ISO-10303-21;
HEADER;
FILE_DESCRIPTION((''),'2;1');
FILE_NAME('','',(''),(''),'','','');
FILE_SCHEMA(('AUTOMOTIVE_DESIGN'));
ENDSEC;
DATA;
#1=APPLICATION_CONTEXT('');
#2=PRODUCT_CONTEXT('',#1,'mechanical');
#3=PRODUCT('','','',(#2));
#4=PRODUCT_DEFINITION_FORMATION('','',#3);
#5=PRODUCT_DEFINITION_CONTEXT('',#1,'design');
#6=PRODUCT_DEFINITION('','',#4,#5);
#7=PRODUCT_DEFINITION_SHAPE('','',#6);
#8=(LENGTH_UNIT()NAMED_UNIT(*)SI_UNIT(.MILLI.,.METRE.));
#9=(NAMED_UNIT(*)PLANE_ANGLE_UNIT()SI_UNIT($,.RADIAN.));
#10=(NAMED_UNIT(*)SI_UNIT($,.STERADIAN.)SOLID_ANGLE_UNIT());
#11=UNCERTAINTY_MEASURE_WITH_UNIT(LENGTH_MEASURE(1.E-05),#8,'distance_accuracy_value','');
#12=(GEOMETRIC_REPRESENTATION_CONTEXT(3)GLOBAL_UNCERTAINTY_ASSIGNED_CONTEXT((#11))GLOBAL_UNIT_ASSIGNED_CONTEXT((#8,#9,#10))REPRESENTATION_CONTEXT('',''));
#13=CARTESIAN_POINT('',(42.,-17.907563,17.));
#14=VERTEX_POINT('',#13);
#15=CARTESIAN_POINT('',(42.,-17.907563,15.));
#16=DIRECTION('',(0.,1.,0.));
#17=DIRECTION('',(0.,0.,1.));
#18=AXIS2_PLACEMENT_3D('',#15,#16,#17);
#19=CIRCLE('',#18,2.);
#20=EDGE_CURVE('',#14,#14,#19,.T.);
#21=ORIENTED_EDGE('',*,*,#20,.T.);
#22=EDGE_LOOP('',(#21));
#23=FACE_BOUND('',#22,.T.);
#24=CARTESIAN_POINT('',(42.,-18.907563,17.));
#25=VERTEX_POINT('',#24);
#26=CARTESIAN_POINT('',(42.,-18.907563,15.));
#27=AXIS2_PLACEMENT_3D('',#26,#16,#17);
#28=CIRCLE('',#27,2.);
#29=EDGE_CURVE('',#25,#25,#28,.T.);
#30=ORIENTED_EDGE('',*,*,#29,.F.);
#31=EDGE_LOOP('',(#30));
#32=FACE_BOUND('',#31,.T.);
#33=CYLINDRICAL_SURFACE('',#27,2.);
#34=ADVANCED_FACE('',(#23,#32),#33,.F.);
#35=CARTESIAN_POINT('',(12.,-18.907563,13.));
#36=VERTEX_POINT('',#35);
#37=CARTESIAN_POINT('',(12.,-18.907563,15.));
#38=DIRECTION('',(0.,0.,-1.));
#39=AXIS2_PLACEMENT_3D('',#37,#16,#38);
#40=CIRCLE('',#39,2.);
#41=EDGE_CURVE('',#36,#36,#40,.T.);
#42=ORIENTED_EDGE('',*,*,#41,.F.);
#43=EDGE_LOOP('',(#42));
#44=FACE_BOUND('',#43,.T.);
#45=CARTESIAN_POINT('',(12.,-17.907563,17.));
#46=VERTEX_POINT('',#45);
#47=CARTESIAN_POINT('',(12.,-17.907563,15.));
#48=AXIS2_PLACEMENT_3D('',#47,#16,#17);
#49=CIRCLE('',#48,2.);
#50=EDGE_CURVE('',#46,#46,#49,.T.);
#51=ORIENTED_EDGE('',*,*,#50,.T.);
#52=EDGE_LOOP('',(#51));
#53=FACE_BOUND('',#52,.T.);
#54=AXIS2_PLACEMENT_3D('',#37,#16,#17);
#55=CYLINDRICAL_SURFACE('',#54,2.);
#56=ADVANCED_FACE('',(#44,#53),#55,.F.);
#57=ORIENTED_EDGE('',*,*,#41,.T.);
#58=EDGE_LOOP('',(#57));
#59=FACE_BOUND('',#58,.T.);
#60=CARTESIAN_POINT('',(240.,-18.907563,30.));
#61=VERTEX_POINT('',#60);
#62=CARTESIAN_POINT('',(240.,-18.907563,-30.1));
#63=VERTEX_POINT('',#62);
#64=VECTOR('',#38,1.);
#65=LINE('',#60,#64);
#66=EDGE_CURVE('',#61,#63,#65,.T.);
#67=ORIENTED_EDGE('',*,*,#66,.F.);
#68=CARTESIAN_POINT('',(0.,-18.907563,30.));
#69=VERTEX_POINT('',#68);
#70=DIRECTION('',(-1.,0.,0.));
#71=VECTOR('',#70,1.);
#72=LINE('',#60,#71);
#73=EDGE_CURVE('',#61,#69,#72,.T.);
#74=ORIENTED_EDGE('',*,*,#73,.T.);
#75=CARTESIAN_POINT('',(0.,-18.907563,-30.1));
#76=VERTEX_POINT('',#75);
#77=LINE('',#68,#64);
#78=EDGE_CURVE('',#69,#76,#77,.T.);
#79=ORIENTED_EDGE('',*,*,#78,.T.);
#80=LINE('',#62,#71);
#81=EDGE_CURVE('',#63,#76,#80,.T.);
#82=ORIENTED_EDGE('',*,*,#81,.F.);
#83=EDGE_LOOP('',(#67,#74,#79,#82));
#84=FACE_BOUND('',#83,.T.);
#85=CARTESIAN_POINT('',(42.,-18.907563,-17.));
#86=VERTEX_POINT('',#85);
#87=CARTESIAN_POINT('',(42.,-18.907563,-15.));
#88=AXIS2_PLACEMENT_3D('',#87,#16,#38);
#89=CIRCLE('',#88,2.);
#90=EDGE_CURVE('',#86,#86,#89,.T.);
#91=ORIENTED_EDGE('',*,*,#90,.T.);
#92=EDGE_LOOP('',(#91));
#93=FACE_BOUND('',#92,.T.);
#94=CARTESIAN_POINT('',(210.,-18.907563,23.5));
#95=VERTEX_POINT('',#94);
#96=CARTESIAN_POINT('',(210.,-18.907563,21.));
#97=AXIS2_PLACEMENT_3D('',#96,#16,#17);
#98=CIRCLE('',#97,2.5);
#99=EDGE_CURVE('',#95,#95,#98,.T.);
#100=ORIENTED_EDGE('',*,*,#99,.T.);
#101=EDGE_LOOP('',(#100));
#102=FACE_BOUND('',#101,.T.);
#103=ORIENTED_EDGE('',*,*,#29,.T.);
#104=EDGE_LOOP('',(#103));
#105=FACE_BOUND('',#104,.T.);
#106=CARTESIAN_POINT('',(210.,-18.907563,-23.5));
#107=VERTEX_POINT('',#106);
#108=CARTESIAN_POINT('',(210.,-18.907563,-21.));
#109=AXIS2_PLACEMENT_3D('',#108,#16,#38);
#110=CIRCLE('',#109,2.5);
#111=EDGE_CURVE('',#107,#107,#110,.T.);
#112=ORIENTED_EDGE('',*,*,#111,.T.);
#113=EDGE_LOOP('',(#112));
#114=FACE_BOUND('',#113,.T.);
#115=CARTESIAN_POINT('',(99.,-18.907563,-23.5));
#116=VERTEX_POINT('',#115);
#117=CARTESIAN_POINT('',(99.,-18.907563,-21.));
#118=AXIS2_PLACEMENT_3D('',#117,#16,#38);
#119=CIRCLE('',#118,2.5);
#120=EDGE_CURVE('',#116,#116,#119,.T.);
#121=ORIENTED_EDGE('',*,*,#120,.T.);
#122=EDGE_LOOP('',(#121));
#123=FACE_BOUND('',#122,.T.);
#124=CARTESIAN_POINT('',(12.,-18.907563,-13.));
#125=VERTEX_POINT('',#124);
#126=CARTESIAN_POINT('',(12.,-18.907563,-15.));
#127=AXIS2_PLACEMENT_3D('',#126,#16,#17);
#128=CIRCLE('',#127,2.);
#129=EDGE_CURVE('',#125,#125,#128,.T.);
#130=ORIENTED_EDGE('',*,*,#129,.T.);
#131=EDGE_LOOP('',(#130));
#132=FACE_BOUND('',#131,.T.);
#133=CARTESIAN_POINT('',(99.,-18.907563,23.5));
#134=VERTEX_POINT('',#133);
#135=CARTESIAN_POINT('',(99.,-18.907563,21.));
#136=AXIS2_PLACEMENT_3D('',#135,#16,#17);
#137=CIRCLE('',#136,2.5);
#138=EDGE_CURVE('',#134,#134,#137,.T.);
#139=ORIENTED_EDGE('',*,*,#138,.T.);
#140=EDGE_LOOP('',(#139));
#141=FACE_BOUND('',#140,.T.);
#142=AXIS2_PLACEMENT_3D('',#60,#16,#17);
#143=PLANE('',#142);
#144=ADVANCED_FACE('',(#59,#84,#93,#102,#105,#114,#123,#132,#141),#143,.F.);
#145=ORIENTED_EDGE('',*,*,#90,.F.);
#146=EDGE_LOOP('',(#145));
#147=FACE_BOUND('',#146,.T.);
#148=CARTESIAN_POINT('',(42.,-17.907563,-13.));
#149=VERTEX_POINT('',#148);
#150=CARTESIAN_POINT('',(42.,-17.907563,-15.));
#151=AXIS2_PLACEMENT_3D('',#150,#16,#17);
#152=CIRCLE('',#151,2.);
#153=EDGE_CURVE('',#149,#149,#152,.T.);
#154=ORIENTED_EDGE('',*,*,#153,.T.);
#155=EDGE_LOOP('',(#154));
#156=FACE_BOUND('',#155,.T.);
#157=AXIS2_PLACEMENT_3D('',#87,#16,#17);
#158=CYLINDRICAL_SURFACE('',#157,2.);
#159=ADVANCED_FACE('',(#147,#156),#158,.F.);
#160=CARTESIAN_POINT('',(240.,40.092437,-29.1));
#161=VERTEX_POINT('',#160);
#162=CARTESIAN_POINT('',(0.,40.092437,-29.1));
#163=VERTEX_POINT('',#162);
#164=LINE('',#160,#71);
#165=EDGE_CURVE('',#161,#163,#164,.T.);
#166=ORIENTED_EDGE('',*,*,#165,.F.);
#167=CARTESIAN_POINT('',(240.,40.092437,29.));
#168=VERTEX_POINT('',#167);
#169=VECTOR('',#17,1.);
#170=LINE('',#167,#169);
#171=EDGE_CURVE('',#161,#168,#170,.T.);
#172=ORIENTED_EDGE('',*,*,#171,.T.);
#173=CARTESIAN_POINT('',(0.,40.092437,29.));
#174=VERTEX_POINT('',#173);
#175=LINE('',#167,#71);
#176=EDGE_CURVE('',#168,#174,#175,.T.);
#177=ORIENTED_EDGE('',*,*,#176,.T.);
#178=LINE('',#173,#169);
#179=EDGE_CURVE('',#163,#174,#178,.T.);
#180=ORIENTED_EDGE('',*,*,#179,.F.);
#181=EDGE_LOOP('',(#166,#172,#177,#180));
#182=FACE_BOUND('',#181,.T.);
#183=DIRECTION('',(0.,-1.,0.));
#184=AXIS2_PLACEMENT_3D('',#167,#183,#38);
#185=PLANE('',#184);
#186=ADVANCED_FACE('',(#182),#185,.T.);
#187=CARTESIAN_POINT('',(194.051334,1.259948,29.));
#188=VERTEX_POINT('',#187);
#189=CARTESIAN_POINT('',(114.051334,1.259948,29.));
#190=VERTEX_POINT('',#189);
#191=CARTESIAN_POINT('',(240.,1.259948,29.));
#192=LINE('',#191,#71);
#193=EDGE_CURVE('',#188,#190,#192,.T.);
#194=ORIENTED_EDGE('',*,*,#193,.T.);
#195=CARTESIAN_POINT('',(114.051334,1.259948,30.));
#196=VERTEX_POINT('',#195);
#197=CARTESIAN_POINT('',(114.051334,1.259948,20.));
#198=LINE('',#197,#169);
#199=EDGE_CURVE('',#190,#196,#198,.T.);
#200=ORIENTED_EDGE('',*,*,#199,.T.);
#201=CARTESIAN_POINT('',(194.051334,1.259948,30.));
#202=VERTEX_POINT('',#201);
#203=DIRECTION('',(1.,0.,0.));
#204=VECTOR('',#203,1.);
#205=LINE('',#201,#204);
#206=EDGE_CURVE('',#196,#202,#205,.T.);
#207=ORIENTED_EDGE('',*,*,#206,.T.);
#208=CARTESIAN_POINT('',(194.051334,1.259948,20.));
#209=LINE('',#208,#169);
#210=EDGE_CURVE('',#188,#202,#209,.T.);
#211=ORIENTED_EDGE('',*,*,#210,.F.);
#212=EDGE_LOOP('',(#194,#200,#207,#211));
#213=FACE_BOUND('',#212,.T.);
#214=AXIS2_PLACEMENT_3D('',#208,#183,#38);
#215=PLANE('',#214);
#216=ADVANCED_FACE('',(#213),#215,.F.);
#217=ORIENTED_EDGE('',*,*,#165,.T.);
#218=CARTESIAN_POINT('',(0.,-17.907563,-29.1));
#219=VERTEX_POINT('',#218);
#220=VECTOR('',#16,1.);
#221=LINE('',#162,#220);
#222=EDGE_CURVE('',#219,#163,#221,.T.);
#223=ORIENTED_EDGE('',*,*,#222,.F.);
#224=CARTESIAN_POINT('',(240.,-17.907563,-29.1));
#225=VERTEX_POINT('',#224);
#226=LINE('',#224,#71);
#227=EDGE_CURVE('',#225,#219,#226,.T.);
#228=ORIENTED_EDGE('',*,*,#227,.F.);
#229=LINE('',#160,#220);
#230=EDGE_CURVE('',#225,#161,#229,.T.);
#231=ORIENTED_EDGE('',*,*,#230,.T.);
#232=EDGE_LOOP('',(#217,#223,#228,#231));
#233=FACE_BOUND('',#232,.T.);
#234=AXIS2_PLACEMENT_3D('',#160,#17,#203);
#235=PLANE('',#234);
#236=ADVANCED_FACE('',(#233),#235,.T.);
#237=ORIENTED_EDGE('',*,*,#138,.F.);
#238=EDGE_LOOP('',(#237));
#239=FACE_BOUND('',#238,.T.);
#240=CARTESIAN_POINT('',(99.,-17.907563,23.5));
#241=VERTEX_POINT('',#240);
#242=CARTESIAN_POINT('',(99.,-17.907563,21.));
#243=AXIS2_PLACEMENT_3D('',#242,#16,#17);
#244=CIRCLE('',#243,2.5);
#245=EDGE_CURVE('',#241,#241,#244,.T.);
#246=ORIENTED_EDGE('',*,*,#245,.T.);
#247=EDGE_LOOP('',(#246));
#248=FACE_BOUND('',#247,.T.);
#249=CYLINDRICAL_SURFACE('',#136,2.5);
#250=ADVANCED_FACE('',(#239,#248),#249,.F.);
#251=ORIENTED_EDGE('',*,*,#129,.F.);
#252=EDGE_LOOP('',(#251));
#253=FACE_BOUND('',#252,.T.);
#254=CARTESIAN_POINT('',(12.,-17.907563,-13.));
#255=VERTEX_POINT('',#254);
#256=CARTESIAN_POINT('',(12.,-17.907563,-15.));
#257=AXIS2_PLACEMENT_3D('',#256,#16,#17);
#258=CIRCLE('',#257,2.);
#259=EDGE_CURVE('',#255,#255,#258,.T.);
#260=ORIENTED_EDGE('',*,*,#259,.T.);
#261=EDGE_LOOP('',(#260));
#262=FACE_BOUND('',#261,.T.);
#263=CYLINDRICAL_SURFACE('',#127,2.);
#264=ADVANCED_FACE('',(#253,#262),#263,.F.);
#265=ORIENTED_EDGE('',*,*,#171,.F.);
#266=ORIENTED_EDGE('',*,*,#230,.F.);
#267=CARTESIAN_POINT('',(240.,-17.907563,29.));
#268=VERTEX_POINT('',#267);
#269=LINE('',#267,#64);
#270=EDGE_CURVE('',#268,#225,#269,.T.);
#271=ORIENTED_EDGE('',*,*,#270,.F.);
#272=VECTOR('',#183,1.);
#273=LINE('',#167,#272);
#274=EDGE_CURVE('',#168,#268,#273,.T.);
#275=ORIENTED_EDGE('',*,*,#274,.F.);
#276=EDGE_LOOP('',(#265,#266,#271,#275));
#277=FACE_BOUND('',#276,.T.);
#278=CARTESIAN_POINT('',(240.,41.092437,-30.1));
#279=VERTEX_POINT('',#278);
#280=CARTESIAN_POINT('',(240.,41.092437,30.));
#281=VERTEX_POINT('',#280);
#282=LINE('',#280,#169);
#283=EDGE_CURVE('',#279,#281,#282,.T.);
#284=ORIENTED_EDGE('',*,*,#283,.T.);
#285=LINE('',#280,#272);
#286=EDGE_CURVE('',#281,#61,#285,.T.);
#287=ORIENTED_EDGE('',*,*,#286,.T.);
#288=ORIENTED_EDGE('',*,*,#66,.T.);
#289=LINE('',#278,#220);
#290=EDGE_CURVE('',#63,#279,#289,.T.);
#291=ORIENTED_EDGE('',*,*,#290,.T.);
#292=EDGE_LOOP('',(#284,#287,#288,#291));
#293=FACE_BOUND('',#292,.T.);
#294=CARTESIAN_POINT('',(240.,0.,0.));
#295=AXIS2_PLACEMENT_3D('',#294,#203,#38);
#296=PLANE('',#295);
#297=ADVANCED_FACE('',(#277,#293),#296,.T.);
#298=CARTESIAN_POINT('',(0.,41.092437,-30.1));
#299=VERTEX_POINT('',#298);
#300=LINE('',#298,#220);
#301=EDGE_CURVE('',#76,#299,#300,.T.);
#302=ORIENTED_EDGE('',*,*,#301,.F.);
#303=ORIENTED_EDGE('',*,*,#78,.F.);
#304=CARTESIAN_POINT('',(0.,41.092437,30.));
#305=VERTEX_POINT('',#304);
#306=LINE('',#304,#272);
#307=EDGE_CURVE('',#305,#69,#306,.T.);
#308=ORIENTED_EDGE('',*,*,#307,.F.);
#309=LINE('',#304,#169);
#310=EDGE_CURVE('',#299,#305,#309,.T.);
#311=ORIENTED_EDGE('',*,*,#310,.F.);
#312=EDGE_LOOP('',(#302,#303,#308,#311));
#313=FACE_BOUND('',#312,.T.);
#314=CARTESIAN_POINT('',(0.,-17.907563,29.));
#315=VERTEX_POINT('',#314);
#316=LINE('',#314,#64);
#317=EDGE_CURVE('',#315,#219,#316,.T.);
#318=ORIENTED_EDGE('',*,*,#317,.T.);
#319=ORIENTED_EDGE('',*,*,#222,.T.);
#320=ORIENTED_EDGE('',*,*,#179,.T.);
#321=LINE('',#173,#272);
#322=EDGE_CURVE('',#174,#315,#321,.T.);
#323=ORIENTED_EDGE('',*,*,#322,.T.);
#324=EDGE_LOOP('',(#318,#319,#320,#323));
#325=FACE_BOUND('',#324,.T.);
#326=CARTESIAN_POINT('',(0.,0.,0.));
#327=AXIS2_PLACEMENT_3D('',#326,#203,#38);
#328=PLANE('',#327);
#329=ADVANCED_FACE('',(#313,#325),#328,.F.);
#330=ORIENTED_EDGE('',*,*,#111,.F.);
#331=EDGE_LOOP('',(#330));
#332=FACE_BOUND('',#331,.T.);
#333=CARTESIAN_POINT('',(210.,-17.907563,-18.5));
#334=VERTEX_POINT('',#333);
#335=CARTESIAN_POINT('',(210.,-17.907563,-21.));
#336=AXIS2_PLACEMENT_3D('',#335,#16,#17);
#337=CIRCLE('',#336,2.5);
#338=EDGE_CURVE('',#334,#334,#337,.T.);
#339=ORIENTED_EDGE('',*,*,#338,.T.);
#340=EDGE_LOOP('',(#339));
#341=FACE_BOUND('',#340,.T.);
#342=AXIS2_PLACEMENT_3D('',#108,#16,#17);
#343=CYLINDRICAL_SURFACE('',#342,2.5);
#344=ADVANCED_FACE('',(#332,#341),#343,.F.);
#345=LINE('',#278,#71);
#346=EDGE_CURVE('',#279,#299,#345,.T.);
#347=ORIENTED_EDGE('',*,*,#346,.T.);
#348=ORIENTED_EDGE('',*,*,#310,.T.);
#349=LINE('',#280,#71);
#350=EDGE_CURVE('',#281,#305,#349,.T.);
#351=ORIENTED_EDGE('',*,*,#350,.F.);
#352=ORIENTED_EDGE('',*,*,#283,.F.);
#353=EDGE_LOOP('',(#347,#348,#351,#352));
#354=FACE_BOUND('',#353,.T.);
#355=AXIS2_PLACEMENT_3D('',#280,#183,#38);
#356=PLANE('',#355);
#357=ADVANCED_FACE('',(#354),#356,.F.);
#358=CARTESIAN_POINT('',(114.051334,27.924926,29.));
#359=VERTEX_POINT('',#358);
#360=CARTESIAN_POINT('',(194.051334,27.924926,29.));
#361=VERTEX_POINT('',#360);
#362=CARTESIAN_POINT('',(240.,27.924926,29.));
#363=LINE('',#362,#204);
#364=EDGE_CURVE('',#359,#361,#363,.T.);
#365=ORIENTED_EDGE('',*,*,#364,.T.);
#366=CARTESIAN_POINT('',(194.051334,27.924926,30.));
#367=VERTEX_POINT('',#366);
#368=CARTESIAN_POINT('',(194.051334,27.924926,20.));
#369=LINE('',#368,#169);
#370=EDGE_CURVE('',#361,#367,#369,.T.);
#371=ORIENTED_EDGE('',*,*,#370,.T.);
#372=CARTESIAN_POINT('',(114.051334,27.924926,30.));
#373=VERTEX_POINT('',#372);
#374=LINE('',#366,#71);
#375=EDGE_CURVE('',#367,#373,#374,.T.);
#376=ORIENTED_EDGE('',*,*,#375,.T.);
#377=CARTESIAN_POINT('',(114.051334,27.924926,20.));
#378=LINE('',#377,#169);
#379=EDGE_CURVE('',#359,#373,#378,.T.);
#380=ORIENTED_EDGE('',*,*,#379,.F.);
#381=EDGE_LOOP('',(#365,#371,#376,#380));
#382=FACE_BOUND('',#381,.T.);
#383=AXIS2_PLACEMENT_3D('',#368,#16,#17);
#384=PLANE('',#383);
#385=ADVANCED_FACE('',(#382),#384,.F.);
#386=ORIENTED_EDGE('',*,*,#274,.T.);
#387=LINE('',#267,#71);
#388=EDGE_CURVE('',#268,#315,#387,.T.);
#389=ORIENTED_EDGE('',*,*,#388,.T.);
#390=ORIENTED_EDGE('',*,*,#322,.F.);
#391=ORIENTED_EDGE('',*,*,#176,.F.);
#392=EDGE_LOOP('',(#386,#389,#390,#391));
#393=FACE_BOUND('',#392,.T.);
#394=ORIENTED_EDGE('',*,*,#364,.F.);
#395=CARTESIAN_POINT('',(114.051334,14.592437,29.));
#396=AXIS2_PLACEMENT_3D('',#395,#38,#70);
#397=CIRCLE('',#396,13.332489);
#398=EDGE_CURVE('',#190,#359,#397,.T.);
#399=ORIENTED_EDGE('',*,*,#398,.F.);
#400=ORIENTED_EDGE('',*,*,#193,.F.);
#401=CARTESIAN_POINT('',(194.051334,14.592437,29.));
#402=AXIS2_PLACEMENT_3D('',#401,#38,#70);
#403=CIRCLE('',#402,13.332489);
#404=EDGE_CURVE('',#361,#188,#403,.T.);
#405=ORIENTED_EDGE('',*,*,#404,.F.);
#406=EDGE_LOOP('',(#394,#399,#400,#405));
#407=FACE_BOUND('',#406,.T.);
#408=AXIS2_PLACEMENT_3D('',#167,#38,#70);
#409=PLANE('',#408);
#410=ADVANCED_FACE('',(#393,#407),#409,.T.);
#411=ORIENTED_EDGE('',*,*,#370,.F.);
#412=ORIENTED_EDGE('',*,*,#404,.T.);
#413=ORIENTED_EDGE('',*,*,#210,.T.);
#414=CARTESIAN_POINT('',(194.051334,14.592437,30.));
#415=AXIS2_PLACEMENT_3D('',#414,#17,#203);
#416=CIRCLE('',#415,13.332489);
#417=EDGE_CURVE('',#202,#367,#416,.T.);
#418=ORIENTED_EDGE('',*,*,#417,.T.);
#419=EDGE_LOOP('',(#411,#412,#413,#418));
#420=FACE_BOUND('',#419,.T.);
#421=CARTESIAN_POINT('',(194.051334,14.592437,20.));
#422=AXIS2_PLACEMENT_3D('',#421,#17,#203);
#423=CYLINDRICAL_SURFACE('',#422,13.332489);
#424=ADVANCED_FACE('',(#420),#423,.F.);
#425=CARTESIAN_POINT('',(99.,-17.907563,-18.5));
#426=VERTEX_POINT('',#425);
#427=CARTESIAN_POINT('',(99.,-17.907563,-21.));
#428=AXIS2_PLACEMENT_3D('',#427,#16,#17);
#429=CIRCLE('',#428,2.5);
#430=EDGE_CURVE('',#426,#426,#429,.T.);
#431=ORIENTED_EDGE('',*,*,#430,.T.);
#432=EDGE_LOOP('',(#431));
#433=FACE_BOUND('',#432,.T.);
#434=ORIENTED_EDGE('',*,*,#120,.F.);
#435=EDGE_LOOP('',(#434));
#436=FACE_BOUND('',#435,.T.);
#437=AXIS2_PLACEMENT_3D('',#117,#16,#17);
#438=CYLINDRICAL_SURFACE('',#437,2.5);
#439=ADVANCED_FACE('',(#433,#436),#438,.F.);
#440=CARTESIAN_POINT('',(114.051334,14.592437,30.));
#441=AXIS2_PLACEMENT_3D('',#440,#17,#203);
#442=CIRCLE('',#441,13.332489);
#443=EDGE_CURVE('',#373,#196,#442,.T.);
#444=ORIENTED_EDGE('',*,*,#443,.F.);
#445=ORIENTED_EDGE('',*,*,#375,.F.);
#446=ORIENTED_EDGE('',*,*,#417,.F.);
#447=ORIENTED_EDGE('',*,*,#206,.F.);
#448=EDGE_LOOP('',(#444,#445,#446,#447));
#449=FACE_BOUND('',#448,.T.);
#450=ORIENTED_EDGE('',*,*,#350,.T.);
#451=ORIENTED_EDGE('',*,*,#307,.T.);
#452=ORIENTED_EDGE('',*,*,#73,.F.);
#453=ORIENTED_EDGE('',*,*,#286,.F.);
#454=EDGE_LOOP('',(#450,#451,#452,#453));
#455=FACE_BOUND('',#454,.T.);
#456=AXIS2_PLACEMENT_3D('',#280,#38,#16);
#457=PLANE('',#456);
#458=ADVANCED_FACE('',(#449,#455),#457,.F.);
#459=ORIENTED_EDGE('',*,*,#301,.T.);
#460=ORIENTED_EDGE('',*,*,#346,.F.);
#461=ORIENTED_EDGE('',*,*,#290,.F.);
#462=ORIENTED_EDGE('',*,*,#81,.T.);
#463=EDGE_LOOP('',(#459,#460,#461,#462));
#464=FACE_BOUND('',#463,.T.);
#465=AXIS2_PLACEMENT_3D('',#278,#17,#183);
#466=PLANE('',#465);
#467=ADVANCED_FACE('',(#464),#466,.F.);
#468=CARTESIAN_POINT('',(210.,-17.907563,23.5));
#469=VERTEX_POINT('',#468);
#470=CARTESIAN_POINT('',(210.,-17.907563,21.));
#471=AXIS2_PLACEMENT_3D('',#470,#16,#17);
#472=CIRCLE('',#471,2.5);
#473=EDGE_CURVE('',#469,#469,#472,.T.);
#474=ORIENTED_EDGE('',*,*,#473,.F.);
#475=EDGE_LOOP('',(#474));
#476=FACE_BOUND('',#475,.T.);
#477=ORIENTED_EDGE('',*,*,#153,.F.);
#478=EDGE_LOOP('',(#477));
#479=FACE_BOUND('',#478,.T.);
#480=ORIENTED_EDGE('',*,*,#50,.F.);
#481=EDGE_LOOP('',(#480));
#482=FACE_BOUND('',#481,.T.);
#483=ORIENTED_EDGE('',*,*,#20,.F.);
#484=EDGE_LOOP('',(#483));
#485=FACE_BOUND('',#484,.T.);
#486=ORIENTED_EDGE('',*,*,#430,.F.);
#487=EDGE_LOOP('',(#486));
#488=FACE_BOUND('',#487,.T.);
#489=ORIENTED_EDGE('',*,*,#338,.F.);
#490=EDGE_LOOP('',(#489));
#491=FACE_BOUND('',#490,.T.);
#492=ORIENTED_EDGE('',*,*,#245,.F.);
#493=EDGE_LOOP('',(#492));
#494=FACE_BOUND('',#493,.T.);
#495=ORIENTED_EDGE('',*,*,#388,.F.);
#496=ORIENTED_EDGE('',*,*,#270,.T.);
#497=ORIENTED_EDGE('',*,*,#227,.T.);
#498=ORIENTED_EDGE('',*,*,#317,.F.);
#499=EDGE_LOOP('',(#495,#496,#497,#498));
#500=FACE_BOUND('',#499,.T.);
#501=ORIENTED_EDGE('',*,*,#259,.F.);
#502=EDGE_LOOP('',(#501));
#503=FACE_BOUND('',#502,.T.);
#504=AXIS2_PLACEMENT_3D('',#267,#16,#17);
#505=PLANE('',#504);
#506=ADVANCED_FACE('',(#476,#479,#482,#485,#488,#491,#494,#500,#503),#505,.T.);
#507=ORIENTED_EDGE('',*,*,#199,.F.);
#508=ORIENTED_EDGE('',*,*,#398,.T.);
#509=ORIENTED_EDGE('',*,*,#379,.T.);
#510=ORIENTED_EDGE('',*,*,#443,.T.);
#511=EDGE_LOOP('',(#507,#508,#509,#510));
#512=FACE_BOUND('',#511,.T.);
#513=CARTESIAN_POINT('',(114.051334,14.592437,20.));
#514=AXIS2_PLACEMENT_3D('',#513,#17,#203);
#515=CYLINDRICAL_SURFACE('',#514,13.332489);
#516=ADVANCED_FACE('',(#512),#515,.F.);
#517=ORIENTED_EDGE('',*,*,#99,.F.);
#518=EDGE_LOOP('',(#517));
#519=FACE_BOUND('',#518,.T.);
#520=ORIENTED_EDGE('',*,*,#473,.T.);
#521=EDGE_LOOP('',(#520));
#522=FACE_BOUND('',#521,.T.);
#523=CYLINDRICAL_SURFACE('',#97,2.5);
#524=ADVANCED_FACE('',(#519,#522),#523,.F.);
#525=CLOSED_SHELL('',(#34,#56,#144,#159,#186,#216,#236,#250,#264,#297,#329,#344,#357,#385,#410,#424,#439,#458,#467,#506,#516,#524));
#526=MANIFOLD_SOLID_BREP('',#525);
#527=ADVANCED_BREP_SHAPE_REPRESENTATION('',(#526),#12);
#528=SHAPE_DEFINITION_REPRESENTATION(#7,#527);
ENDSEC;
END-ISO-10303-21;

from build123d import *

# Parameters (mm, degrees)
ESBO_O2_W                = 60.1
ESBO_O2_H                = 60
ESBO_O2_W_2              = 58.1
ESBO_O2_H_2              = 58
RESSALTO_EXTRUS_O3_DEPTH = 240
ESBO_O4_R                = 2
ESBO_O4_R_2              = 2.5
CORTE_EXTRUS_O1_DEPTH    = 246.345874994
CORTE_EXTRUS_O2_DEPTH    = 10


with BuildPart() as part:
    # Esboço2 → Ressalto-extrusão3 (new body)
    with BuildSketch(Plane(origin=(0, 0, 0), x_dir=(0, 0, -1), z_dir=(1, 0, 0))):
        with Locations((0.05, 11.092436975)):
            Rectangle(ESBO_O2_W, ESBO_O2_H)
        with Locations((0.05, 11.092436975)):
            Rectangle(ESBO_O2_W_2, ESBO_O2_H_2, mode=Mode.SUBTRACT)
    extrude(amount=RESSALTO_EXTRUS_O3_DEPTH)

    # Esboço4 → Corte-extrusão1 (cut, through all)
    with BuildSketch(Plane(origin=(0, 0, 0), x_dir=(1, 0, 0), z_dir=(0, 1, 0))):
        with Locations(Location((12, 15, 0), (0, 0, 270))):
            Circle(ESBO_O4_R)
        with Locations(Location((12, -15, 0), (0, 0, 270))):
            Circle(ESBO_O4_R)
        with Locations(Location((42, -15, 0), (0, 0, 270))):
            Circle(ESBO_O4_R)
        with Locations(Location((42, 15, 0), (0, 0, 270))):
            Circle(ESBO_O4_R)
        with Locations(Location((210, -21, 0), (0, 0, 270))):
            Circle(ESBO_O4_R_2)
        with Locations(Location((210, 21, 0), (0, 0, 270))):
            Circle(ESBO_O4_R_2)
        with Locations(Location((99, -21, 0), (0, 0, 270))):
            Circle(ESBO_O4_R_2)
        with Locations(Location((99, 21, 0), (0, 0, 270))):
            Circle(ESBO_O4_R_2)
    extrude(amount=-CORTE_EXTRUS_O1_DEPTH, mode=Mode.SUBTRACT)

    # Esboço5 → Corte-extrusão2 (cut)
    with BuildSketch(Plane.XY.offset(30)):
        with BuildLine():
            Line((194.051333541, 1.259947871), (114.051333541, 1.259947871))
            ThreePointArc((114.051333541, 1.259947871), (100.718844437, 14.592436975), (114.051333541, 27.924926079))
            Line((114.051333541, 27.924926079), (194.051333541, 27.924926079))
            ThreePointArc((194.051333541, 27.924926079), (207.383822645, 14.592436975), (194.051333541, 1.259947871))
        make_face()
    extrude(amount=-CORTE_EXTRUS_O2_DEPTH, mode=Mode.SUBTRACT)


solid = part.part
